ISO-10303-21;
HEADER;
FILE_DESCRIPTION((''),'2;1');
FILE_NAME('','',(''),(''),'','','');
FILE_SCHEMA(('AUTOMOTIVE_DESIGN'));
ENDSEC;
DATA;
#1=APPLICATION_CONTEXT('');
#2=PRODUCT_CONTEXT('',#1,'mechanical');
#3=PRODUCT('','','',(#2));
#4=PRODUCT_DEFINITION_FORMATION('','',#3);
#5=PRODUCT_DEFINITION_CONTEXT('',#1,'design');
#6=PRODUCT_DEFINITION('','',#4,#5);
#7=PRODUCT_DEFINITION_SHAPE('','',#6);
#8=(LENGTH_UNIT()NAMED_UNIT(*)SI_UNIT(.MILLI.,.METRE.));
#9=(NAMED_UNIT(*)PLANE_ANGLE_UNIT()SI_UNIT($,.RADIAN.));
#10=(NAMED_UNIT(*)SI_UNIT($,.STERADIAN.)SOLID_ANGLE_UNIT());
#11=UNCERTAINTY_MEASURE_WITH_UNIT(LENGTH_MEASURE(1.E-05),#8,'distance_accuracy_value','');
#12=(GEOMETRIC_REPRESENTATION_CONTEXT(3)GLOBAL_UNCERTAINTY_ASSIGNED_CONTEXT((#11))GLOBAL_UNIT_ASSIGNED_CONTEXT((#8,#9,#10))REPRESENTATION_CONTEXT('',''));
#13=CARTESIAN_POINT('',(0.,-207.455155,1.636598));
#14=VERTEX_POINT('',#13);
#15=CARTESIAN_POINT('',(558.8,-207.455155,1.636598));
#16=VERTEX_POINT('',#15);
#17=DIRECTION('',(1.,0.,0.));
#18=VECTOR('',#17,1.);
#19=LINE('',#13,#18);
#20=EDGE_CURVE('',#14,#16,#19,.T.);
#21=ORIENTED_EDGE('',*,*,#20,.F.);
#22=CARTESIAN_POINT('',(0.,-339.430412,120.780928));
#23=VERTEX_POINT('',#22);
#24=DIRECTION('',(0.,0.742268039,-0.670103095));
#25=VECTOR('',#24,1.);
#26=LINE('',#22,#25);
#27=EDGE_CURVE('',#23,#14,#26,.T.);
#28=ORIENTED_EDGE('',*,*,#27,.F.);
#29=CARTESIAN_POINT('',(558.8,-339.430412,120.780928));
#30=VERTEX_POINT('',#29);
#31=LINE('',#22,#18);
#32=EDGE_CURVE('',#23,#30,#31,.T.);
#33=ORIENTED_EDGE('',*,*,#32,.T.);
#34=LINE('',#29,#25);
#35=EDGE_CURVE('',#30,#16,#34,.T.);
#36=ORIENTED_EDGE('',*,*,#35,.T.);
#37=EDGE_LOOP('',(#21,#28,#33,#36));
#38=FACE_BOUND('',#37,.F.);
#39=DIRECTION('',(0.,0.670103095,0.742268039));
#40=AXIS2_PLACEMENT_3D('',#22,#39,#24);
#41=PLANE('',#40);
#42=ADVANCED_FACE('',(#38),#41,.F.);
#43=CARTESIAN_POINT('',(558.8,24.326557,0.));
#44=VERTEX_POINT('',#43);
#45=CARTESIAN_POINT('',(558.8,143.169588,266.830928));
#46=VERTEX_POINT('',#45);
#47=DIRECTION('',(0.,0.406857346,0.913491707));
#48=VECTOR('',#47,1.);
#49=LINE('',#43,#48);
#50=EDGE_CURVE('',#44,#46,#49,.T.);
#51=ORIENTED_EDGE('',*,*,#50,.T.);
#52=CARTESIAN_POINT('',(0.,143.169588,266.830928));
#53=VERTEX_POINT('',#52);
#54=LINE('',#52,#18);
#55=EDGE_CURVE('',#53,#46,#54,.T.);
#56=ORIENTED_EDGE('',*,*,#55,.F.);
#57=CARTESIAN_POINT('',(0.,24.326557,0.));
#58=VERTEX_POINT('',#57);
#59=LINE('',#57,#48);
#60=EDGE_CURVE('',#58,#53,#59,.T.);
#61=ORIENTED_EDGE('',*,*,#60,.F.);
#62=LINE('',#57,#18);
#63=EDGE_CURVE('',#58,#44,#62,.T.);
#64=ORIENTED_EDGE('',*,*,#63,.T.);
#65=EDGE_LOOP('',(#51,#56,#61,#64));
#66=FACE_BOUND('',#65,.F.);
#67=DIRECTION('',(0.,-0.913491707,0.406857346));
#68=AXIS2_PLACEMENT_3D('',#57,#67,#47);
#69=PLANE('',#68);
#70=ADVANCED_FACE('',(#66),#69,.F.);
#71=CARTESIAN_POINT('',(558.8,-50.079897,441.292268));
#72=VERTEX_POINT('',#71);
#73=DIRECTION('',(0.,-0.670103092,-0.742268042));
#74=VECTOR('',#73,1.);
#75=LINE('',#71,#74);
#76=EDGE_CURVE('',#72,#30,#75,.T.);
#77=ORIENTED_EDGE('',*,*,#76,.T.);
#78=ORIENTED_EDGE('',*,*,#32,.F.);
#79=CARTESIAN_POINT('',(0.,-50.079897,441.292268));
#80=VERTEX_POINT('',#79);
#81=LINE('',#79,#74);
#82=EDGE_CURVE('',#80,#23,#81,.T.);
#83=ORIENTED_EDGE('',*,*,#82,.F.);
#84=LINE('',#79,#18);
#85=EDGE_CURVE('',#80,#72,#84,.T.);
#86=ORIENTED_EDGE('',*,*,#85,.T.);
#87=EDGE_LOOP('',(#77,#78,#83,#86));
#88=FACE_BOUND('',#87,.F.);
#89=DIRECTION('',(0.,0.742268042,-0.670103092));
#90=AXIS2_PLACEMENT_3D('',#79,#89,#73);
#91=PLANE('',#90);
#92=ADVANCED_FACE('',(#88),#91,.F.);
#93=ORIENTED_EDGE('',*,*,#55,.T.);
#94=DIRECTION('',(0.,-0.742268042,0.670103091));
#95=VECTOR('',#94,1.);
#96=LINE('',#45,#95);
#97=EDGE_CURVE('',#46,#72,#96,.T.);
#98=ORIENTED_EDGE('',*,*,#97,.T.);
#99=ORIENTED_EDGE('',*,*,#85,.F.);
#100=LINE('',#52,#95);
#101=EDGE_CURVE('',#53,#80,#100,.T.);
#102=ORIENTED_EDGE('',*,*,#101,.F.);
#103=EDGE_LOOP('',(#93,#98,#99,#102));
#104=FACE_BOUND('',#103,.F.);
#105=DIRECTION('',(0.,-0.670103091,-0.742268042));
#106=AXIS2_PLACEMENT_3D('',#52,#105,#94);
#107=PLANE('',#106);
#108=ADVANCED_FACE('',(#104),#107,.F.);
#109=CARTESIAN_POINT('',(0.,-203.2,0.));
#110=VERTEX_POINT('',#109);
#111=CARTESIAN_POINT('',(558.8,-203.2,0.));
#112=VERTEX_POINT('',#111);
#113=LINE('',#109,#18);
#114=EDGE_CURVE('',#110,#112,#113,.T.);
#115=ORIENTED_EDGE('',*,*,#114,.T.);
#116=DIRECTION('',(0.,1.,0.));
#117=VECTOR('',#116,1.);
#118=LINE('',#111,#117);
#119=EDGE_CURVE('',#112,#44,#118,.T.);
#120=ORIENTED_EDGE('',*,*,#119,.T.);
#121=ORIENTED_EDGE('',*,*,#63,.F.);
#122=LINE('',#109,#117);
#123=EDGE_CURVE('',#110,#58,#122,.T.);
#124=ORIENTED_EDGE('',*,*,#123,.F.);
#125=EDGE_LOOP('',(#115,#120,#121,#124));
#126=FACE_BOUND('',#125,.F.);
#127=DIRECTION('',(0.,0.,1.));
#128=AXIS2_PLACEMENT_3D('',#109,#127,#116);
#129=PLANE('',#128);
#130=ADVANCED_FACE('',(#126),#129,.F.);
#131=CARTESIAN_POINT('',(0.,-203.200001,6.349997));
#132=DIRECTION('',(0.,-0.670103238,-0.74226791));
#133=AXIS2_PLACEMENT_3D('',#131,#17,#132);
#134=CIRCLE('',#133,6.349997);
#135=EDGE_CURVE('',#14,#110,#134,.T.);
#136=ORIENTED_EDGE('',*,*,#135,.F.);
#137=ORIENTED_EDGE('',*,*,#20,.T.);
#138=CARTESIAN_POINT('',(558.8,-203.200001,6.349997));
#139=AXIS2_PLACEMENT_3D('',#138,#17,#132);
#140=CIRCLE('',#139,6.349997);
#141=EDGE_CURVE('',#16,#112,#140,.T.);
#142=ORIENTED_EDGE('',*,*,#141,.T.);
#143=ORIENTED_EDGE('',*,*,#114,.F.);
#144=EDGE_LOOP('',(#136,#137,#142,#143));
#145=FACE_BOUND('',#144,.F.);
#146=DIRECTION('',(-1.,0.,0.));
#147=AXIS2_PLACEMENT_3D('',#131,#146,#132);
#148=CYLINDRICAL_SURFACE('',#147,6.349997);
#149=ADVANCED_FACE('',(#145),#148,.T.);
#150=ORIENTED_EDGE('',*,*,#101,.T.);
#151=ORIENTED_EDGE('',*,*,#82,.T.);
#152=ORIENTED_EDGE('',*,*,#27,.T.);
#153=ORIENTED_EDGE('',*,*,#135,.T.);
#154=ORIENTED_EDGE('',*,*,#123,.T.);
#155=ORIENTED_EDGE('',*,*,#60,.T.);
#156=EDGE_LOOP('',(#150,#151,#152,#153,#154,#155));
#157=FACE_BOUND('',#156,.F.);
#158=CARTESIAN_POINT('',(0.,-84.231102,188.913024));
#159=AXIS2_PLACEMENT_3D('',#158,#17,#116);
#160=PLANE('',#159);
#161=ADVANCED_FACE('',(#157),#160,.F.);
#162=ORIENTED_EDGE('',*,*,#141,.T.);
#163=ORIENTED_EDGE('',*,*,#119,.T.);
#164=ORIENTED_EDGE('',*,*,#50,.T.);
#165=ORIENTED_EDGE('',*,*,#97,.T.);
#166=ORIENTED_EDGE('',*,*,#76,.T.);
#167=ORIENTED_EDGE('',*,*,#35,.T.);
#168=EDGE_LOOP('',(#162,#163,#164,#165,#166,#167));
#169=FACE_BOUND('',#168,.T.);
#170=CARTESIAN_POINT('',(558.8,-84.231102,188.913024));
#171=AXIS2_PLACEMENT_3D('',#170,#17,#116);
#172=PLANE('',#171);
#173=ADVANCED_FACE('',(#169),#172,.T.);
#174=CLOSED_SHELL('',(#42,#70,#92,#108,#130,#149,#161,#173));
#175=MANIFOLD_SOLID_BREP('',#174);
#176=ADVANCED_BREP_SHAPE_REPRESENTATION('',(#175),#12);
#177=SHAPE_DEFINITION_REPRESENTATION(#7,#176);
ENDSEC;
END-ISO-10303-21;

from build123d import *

# Parameters (mm, degrees)
F1_DEPTH = 558.8


with BuildPart() as f1:
    # F0 (on Right) → F1 (new body)
    with BuildSketch(Plane.YZ):
        with BuildLine():
            Line((-203.2, 0), (0, 0))
            Line((0, 0), (24.326557, 0))
            Line((24.326557, 0), (143.169588, 266.830928))
            Line((143.169588, 266.830928), (-50.079897, 441.292268))
            Line((-50.079897, 441.292268), (-339.430412, 120.780928))
            Line((-339.430412, 120.780928), (-207.455155, 1.636598))
            ThreePointArc((-207.455155, 1.636598), (-205.479517, 0.423255), (-203.2, 0))
        make_face()
    extrude(amount=F1_DEPTH)


solid = f1.part
